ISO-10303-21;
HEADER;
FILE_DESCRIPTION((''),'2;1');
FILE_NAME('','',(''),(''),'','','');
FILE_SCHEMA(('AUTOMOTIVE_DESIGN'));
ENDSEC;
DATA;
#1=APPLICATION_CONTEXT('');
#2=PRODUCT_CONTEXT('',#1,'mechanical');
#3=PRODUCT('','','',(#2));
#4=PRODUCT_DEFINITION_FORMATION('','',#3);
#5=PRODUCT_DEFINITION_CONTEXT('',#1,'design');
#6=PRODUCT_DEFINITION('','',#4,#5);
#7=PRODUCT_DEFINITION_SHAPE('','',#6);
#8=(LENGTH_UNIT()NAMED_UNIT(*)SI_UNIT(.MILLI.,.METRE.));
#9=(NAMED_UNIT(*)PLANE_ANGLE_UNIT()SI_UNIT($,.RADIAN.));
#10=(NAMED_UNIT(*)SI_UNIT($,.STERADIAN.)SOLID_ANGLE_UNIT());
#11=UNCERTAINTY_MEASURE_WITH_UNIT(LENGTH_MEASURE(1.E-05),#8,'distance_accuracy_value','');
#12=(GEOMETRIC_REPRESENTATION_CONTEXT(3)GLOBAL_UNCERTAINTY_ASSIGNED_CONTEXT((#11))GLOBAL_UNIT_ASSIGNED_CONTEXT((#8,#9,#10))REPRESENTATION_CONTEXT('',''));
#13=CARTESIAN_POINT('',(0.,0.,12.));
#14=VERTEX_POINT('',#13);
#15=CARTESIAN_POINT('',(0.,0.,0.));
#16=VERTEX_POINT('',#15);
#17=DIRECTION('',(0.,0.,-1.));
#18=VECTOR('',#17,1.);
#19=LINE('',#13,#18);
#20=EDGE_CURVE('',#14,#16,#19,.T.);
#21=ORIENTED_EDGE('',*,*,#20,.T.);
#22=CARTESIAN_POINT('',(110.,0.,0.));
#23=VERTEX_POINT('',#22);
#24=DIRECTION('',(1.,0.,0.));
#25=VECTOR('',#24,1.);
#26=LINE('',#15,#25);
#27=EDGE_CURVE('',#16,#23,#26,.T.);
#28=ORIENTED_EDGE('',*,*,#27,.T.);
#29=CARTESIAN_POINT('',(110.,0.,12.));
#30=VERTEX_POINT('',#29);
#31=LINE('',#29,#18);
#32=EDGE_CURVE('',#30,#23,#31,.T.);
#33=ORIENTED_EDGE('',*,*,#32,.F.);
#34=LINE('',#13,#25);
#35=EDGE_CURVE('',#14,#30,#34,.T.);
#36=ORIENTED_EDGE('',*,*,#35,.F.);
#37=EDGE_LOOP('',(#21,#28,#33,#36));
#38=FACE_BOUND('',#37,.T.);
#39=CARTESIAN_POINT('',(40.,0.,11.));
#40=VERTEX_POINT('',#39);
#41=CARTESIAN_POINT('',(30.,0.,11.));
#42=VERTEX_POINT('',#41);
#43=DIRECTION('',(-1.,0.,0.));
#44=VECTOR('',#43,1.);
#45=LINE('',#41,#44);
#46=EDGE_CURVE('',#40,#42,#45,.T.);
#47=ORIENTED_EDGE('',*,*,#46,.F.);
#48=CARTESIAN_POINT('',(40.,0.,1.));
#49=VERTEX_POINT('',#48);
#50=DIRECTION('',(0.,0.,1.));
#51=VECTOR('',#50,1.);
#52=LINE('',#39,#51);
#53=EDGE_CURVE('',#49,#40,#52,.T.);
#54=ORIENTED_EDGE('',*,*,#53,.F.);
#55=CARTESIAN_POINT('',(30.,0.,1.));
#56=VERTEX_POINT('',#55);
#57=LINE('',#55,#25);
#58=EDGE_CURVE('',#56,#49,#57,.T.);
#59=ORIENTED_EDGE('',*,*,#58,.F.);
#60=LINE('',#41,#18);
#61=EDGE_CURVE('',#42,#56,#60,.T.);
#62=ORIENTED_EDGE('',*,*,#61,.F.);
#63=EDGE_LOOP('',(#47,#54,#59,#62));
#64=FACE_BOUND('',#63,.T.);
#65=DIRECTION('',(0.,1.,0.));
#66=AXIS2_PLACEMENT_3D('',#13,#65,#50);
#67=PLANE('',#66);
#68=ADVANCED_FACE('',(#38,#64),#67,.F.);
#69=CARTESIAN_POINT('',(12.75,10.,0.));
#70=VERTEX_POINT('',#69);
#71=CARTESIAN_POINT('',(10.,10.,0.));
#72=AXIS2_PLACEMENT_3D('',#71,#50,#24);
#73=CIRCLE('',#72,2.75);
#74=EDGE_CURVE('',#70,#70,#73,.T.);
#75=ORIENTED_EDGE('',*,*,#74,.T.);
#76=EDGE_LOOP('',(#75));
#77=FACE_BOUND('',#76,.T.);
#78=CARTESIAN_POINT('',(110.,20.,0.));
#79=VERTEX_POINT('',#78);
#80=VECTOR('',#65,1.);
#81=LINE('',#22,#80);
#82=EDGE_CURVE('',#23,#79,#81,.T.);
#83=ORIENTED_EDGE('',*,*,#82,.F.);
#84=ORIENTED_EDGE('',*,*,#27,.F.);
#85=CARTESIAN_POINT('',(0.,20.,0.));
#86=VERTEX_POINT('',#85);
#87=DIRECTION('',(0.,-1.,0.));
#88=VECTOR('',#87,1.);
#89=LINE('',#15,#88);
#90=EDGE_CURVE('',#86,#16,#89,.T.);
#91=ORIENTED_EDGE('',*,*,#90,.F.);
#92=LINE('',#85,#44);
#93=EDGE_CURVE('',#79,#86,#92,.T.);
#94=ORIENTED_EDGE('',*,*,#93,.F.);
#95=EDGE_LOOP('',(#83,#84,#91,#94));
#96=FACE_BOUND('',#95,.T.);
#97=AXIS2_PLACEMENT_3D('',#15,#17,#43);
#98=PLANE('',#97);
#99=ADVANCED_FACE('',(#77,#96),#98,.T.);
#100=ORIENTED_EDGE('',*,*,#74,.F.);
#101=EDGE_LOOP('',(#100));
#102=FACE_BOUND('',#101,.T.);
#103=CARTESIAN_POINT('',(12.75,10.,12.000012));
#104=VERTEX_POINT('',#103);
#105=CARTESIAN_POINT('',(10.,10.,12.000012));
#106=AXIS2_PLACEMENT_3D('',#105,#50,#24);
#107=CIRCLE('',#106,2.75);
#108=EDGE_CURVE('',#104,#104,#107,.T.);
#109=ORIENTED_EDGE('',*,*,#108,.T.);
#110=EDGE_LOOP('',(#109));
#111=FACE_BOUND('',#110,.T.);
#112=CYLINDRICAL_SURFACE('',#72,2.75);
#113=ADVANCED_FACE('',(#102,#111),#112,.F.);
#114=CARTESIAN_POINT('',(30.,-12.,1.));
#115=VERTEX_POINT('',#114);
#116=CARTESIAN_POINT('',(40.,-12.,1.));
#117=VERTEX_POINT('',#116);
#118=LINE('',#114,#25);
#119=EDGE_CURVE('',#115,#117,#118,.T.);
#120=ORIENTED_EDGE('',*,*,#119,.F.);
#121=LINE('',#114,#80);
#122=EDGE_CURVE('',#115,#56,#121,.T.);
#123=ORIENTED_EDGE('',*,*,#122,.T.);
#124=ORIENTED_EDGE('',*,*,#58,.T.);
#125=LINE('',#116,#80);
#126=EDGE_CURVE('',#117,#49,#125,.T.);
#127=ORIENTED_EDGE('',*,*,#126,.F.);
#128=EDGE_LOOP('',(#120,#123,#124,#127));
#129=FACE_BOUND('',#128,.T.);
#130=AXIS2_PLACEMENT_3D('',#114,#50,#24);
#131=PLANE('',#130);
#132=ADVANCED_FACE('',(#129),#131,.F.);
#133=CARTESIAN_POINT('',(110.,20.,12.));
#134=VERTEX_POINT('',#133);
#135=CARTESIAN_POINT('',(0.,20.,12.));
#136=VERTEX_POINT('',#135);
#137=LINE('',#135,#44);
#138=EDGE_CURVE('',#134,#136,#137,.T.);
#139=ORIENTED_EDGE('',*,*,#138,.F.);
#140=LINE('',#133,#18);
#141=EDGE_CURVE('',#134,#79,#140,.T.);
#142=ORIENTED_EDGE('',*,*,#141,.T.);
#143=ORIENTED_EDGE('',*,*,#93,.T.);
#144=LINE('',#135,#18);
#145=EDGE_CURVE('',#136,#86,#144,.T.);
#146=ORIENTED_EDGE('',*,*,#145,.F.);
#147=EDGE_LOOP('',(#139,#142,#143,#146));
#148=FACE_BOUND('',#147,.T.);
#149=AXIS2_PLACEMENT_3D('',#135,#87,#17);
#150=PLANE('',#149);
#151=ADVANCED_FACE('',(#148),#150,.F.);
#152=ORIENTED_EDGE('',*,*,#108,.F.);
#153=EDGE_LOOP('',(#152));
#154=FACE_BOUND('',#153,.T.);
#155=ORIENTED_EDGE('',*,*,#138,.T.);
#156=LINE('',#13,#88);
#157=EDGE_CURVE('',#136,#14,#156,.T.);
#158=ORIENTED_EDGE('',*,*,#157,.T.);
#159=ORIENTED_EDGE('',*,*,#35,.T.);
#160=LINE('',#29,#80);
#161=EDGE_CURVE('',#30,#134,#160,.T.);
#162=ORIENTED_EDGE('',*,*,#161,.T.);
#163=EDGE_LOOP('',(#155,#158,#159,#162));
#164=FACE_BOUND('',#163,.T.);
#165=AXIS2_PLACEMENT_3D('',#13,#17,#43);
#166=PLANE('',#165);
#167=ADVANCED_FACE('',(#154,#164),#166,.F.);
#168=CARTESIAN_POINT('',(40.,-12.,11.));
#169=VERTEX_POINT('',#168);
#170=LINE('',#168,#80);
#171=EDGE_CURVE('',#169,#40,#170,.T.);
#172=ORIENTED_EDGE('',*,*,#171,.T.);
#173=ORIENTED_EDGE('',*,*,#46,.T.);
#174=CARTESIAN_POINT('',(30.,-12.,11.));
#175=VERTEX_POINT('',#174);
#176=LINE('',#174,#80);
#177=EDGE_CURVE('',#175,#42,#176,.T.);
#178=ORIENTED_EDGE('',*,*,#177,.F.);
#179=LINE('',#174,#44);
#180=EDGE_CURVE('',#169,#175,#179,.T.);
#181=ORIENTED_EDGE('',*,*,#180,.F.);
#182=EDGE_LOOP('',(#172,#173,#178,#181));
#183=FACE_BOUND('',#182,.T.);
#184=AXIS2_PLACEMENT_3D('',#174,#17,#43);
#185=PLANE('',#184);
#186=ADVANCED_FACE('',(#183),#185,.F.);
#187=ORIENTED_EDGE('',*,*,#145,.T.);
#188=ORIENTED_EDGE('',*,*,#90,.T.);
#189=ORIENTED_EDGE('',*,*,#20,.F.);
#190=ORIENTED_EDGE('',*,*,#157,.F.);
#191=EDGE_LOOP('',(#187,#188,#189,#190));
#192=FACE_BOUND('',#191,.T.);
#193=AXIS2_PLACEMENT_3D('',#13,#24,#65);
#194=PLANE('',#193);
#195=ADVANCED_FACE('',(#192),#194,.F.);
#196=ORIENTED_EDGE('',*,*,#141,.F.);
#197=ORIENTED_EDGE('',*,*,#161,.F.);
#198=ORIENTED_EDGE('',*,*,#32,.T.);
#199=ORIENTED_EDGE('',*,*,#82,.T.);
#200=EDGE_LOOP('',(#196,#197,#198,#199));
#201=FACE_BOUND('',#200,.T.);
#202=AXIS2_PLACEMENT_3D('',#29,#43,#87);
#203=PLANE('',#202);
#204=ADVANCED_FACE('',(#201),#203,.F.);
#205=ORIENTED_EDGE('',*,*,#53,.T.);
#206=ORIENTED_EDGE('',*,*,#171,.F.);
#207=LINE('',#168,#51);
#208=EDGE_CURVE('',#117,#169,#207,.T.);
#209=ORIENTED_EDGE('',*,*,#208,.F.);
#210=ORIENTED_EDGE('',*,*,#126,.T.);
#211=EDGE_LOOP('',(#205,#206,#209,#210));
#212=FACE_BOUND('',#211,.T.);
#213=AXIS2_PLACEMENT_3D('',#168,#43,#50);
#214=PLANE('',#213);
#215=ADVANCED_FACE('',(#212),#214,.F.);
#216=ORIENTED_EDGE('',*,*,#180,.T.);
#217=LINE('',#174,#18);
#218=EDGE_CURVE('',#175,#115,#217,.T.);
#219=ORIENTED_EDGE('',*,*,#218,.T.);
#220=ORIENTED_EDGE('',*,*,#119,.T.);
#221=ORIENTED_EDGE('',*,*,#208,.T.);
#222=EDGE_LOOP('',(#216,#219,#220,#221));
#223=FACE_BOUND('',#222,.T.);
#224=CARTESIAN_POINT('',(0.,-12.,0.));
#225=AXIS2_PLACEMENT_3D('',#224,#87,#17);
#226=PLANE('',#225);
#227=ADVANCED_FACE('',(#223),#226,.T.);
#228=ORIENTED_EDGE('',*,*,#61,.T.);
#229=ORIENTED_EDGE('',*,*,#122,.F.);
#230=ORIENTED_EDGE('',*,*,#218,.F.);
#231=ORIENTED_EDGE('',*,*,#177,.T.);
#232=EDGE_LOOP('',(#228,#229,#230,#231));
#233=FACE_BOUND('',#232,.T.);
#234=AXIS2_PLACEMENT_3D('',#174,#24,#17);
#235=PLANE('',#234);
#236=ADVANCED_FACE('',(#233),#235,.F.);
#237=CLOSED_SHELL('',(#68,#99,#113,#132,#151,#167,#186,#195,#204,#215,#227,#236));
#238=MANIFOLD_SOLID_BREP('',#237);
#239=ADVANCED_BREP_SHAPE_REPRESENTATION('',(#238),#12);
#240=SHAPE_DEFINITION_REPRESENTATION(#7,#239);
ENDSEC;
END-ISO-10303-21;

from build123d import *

# Parameters (mm, degrees)
SKETCH1_W               = 110
SKETCH1_H               = 20
BOSS_EXTRUDE1_DEPTH     = 12
CUT_EXTRUDE1_DEPTH      = 113.445542375
CUT_EXTRUDE1_DEPTH_BACK = 113.445542375
SKETCH2_R               = 2.75
SKETCH3_W               = 10
SKETCH3_H               = 10
BOSS_EXTRUDE2_DEPTH     = 12


with BuildPart() as part:
    # Sketch1 → Boss-Extrude1 (new body)
    with BuildSketch(Plane.XY):
        with Locations((55, 10)):
            Rectangle(SKETCH1_W, SKETCH1_H)
    extrude(amount=BOSS_EXTRUDE1_DEPTH)

    # Sketch2 → Cut-Extrude1 (cut, two sides: drawn at the far end of the back side and taken through both)
    with BuildSketch(Plane.XY.offset(12).offset(-CUT_EXTRUDE1_DEPTH_BACK)):
        with Locations((10, 10)):
            Circle(SKETCH2_R)
    extrude(amount=CUT_EXTRUDE1_DEPTH + CUT_EXTRUDE1_DEPTH_BACK, mode=Mode.SUBTRACT)

    # Sketch3 → Boss-Extrude2 (add)
    with BuildSketch(Plane.XZ):
        with Locations((35, 6)):
            Rectangle(SKETCH3_W, SKETCH3_H)
    extrude(amount=BOSS_EXTRUDE2_DEPTH)


solid = part.part
